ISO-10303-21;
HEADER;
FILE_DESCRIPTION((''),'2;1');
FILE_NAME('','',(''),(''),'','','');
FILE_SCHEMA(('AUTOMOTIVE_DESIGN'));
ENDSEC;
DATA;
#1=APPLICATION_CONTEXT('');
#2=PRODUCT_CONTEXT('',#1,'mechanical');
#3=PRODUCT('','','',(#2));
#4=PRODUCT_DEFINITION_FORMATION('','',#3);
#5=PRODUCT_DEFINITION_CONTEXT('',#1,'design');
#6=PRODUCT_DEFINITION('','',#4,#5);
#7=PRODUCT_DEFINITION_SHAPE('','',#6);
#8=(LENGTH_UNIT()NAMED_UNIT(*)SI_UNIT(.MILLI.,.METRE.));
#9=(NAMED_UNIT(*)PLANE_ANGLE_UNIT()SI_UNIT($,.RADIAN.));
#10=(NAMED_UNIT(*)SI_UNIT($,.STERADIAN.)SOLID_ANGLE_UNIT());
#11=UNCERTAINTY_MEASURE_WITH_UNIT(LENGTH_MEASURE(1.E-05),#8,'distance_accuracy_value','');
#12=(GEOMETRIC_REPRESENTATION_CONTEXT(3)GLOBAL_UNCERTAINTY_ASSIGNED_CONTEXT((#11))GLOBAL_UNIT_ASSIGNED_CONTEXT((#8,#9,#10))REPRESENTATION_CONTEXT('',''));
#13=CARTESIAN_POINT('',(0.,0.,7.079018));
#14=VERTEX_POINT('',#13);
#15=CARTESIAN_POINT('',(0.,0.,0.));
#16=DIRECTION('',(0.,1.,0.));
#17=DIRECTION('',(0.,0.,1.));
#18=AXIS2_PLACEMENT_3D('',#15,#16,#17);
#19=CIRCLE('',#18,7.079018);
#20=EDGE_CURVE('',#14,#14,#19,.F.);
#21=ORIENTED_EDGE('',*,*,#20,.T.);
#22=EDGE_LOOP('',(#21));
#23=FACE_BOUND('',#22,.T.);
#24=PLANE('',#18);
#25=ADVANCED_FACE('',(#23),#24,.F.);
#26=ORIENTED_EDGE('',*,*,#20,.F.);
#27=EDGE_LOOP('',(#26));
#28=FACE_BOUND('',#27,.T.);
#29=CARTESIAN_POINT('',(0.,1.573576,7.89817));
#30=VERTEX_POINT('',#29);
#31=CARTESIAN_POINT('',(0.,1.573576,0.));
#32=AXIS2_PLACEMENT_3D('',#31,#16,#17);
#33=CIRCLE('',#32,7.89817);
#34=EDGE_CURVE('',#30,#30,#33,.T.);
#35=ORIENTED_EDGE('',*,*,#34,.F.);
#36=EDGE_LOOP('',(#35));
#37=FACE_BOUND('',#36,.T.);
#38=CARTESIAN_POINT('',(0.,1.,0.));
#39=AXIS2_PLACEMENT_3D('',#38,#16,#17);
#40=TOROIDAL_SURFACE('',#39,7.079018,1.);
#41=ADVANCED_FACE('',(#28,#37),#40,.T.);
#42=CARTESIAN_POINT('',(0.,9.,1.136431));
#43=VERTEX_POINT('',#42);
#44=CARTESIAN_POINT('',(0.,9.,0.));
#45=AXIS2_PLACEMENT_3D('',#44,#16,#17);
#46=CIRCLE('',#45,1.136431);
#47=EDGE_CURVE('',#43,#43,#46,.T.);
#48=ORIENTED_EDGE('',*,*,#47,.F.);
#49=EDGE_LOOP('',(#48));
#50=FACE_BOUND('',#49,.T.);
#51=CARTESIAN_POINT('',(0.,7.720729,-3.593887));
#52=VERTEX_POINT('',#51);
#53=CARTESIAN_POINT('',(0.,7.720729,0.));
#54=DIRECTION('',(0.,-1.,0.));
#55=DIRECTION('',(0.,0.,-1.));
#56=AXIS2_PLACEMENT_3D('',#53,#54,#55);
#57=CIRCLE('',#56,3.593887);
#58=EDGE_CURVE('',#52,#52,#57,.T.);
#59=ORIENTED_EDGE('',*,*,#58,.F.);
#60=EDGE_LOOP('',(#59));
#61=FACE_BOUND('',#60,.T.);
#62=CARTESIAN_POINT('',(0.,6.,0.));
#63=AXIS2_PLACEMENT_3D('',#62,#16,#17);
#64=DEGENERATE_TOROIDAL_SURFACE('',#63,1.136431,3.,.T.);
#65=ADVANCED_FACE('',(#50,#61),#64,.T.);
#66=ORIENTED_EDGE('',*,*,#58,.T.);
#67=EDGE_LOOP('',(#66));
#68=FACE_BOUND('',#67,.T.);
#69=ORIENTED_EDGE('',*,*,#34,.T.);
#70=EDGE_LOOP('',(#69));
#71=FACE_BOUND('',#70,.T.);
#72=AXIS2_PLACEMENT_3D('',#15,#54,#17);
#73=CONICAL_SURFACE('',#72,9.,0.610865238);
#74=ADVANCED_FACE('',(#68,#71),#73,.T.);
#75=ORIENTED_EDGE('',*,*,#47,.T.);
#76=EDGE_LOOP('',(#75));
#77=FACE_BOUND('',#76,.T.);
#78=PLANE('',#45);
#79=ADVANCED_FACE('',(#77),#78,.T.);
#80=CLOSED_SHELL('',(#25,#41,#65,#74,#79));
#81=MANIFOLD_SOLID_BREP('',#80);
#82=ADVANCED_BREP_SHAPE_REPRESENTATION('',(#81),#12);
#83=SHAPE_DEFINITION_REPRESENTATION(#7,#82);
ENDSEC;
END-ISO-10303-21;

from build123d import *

# Parameters (mm, degrees)
SKETCH3_R           = 9
BOSS_EXTRUDE3_DEPTH = 9
BOSS_EXTRUDE3_TAPER = 35
FILLET1_R           = 3
FILLET2_R           = 1


with BuildPart() as part:
    # Sketch3 → Boss-Extrude3 (new body)
    with BuildSketch(Plane(origin=(0, 0, 0), x_dir=(1, 0, 0), z_dir=(0, 1, 0))):
        Circle(SKETCH3_R)
    extrude(amount=BOSS_EXTRUDE3_DEPTH, taper=BOSS_EXTRUDE3_TAPER)

    # Fillet1
    fillet1_edges = [part.edges().sort_by_distance(p)[0] for p in [
        (-2.698132156, 9, 0),
    ]]
    fillet(fillet1_edges, radius=FILLET1_R)

    # Fillet2
    fillet2_edges = [part.edges().sort_by_distance(p)[0] for p in [
        (-9, 0, 0),
    ]]
    fillet(fillet2_edges, radius=FILLET2_R)


solid = part.part
